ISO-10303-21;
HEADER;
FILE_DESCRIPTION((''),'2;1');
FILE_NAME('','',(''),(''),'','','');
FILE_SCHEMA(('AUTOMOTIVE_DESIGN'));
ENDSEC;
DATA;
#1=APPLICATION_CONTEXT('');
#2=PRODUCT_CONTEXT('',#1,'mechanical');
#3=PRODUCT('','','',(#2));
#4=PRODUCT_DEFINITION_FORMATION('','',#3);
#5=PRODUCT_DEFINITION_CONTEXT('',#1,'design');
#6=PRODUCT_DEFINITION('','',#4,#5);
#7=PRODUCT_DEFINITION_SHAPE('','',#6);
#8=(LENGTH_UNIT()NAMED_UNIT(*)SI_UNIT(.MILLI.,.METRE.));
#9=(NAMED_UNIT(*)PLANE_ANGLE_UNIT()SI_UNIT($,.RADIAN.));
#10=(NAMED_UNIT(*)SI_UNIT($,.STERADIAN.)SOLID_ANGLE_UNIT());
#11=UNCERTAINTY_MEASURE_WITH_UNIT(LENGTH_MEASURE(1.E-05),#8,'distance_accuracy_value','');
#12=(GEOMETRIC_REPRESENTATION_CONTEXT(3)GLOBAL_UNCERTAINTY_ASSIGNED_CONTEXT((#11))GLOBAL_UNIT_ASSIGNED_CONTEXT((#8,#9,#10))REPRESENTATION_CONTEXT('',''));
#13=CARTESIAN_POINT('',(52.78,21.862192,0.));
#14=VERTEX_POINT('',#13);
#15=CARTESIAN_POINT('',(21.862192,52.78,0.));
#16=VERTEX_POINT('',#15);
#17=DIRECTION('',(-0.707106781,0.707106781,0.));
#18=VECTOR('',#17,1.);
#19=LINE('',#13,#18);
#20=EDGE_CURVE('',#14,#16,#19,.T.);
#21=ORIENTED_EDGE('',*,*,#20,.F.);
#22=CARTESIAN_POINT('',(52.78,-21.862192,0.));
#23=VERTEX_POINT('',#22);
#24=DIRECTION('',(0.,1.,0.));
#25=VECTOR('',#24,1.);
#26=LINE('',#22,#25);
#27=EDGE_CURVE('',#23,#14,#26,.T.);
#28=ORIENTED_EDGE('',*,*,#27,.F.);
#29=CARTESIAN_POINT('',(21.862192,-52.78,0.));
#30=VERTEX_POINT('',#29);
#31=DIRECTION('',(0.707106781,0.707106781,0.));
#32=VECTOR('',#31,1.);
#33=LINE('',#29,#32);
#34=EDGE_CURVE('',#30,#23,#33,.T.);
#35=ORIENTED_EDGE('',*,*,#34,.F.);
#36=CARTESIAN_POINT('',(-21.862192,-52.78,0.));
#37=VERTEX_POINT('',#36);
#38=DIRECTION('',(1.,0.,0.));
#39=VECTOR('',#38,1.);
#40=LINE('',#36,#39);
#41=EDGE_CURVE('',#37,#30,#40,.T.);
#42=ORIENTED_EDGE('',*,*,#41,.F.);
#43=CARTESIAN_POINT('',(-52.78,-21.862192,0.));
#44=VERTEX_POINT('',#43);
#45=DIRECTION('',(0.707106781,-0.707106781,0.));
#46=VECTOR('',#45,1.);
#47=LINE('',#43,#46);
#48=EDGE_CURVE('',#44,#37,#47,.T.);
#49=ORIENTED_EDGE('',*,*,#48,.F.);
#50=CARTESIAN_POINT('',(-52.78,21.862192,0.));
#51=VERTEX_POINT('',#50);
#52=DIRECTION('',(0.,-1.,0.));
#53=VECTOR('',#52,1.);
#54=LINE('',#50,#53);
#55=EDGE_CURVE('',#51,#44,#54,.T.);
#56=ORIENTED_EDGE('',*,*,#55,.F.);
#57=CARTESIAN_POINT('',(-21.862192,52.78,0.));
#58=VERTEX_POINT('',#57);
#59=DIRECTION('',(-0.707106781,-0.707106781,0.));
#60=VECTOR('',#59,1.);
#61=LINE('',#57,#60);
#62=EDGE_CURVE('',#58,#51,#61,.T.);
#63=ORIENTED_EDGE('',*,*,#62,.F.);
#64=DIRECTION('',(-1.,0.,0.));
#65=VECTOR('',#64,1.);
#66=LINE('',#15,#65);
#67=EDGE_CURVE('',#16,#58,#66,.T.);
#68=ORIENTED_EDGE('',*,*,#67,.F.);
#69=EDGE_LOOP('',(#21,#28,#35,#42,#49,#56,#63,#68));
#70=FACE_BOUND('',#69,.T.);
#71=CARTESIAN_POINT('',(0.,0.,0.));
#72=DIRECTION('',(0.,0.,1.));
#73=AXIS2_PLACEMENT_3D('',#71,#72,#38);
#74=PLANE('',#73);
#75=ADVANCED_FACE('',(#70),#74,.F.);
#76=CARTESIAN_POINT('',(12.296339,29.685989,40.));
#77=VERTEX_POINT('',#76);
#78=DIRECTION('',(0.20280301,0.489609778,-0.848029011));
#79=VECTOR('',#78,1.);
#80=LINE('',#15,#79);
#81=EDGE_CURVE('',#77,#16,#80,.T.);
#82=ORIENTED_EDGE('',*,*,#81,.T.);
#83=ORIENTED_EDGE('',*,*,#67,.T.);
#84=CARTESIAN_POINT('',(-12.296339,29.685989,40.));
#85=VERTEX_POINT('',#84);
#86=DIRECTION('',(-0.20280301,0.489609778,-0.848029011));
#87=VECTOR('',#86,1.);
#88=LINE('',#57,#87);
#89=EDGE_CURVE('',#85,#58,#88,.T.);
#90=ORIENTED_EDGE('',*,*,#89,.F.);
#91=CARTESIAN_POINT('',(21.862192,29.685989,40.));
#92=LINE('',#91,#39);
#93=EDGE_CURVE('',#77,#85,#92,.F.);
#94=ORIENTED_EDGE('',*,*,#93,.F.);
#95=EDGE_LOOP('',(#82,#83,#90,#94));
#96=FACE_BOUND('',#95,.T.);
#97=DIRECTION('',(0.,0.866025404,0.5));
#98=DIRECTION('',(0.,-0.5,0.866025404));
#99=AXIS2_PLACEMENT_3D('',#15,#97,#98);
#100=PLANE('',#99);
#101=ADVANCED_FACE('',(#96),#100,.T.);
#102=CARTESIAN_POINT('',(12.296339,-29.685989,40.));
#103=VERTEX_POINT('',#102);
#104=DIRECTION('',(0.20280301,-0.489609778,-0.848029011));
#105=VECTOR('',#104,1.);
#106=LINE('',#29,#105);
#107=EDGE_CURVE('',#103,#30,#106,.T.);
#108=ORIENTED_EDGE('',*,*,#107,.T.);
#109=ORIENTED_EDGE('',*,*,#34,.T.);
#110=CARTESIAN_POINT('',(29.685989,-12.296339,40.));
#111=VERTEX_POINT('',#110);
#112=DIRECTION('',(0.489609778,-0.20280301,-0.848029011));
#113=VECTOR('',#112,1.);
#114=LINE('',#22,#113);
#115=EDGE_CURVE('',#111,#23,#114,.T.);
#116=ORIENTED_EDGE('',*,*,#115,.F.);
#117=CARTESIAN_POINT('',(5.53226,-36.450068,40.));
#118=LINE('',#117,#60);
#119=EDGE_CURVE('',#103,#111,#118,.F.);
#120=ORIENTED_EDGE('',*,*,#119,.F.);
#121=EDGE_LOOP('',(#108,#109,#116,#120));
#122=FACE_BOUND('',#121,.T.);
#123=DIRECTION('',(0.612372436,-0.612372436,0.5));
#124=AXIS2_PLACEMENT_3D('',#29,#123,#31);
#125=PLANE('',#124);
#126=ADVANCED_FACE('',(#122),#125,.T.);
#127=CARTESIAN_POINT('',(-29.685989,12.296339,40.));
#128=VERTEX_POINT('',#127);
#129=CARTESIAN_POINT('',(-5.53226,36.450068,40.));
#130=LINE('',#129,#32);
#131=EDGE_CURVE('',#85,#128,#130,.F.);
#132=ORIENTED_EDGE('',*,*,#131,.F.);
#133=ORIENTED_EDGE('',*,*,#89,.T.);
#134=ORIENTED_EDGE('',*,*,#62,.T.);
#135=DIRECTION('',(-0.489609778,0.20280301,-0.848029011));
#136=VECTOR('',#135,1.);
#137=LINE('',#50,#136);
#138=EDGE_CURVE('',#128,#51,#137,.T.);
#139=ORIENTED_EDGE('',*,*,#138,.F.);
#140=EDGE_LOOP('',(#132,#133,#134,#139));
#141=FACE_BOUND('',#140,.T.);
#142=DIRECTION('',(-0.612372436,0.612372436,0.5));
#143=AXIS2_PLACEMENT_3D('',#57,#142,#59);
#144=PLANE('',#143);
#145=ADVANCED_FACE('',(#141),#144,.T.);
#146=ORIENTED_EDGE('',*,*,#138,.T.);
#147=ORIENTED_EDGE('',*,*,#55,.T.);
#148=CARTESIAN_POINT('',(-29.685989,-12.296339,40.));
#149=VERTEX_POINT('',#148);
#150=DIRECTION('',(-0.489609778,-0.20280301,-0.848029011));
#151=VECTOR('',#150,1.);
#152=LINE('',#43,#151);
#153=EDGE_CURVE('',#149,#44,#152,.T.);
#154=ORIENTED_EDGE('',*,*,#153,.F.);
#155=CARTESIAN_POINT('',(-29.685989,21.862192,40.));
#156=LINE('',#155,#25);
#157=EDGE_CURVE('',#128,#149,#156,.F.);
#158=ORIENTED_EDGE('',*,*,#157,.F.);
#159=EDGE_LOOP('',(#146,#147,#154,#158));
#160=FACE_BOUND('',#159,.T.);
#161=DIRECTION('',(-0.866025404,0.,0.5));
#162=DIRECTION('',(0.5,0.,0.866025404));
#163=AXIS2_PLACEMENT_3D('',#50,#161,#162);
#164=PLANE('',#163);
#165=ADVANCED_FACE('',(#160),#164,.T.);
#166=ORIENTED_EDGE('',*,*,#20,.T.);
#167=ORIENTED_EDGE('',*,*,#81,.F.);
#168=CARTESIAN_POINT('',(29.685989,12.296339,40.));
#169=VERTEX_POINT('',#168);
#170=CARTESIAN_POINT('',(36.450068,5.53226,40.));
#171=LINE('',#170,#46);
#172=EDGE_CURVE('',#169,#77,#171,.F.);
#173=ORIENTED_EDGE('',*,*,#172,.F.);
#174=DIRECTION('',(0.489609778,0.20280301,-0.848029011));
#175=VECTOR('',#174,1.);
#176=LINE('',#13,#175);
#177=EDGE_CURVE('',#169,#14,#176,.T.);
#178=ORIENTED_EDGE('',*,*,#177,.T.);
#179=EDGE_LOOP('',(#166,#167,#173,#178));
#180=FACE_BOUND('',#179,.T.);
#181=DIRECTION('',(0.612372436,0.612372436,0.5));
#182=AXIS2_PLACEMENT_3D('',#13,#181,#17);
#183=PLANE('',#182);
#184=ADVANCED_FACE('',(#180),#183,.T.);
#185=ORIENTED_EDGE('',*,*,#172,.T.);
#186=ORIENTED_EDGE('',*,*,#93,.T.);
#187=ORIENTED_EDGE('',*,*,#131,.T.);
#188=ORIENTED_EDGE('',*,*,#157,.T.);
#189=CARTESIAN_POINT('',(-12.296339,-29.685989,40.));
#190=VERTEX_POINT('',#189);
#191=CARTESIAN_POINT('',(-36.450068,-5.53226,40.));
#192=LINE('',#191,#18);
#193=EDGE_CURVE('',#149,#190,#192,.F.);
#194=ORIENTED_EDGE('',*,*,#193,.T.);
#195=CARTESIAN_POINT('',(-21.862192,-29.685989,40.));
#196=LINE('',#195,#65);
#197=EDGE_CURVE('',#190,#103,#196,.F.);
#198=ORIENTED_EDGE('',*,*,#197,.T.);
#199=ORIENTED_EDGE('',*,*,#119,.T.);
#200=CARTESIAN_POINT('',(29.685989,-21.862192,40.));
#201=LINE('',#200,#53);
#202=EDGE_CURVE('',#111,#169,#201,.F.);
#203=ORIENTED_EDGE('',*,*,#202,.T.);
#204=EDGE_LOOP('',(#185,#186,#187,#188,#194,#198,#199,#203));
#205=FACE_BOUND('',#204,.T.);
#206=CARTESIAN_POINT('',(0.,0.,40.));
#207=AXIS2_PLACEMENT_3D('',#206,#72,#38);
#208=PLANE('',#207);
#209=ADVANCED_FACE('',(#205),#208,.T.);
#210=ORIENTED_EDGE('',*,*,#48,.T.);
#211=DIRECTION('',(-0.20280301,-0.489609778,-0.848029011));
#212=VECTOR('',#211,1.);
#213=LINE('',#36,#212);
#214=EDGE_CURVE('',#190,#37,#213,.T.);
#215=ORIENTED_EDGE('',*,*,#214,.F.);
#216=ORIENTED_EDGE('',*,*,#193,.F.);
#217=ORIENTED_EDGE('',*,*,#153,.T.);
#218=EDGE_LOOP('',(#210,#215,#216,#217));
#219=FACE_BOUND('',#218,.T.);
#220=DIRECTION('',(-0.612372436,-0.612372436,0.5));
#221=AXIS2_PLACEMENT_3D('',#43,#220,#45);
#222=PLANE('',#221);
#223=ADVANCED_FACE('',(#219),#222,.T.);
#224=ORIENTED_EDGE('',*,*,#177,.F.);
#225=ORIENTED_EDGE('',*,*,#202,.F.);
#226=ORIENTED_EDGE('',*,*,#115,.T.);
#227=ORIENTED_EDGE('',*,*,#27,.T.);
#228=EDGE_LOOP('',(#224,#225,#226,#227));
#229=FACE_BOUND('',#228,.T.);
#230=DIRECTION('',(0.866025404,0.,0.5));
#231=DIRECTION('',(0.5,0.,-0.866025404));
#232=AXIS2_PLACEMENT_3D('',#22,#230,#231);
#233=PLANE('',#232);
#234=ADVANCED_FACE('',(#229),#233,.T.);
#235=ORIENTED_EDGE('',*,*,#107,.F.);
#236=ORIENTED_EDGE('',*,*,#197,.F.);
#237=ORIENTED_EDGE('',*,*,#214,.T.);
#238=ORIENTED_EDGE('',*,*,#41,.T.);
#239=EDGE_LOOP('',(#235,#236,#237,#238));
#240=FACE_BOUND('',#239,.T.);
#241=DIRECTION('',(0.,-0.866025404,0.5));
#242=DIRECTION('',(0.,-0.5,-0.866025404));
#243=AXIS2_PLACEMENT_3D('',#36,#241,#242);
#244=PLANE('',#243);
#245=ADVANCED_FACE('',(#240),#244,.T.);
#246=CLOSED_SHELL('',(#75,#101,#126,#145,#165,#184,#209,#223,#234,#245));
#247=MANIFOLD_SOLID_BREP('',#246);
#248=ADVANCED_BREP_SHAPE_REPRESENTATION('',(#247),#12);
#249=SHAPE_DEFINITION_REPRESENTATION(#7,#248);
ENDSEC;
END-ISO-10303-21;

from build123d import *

# Parameters (mm, degrees)
RESSALTO_EXTRUS_O1_DEPTH = 40
RESSALTO_EXTRUS_O1_TAPER = 30


with BuildPart() as part:
    # Esboço1 → Ressalto-extrusão1 (new body)
    with BuildSketch(Plane.XY):
        Polygon((52.78, -21.862191822), (52.78, 21.862191822), (21.862191822, 52.78), (-21.862191822, 52.78), (-52.78, 21.862191822), (-52.78, -21.862191822), (-21.862191822, -52.78), (21.862191822, -52.78), align=None)
    extrude(amount=RESSALTO_EXTRUS_O1_DEPTH, taper=RESSALTO_EXTRUS_O1_TAPER)


solid = part.part
